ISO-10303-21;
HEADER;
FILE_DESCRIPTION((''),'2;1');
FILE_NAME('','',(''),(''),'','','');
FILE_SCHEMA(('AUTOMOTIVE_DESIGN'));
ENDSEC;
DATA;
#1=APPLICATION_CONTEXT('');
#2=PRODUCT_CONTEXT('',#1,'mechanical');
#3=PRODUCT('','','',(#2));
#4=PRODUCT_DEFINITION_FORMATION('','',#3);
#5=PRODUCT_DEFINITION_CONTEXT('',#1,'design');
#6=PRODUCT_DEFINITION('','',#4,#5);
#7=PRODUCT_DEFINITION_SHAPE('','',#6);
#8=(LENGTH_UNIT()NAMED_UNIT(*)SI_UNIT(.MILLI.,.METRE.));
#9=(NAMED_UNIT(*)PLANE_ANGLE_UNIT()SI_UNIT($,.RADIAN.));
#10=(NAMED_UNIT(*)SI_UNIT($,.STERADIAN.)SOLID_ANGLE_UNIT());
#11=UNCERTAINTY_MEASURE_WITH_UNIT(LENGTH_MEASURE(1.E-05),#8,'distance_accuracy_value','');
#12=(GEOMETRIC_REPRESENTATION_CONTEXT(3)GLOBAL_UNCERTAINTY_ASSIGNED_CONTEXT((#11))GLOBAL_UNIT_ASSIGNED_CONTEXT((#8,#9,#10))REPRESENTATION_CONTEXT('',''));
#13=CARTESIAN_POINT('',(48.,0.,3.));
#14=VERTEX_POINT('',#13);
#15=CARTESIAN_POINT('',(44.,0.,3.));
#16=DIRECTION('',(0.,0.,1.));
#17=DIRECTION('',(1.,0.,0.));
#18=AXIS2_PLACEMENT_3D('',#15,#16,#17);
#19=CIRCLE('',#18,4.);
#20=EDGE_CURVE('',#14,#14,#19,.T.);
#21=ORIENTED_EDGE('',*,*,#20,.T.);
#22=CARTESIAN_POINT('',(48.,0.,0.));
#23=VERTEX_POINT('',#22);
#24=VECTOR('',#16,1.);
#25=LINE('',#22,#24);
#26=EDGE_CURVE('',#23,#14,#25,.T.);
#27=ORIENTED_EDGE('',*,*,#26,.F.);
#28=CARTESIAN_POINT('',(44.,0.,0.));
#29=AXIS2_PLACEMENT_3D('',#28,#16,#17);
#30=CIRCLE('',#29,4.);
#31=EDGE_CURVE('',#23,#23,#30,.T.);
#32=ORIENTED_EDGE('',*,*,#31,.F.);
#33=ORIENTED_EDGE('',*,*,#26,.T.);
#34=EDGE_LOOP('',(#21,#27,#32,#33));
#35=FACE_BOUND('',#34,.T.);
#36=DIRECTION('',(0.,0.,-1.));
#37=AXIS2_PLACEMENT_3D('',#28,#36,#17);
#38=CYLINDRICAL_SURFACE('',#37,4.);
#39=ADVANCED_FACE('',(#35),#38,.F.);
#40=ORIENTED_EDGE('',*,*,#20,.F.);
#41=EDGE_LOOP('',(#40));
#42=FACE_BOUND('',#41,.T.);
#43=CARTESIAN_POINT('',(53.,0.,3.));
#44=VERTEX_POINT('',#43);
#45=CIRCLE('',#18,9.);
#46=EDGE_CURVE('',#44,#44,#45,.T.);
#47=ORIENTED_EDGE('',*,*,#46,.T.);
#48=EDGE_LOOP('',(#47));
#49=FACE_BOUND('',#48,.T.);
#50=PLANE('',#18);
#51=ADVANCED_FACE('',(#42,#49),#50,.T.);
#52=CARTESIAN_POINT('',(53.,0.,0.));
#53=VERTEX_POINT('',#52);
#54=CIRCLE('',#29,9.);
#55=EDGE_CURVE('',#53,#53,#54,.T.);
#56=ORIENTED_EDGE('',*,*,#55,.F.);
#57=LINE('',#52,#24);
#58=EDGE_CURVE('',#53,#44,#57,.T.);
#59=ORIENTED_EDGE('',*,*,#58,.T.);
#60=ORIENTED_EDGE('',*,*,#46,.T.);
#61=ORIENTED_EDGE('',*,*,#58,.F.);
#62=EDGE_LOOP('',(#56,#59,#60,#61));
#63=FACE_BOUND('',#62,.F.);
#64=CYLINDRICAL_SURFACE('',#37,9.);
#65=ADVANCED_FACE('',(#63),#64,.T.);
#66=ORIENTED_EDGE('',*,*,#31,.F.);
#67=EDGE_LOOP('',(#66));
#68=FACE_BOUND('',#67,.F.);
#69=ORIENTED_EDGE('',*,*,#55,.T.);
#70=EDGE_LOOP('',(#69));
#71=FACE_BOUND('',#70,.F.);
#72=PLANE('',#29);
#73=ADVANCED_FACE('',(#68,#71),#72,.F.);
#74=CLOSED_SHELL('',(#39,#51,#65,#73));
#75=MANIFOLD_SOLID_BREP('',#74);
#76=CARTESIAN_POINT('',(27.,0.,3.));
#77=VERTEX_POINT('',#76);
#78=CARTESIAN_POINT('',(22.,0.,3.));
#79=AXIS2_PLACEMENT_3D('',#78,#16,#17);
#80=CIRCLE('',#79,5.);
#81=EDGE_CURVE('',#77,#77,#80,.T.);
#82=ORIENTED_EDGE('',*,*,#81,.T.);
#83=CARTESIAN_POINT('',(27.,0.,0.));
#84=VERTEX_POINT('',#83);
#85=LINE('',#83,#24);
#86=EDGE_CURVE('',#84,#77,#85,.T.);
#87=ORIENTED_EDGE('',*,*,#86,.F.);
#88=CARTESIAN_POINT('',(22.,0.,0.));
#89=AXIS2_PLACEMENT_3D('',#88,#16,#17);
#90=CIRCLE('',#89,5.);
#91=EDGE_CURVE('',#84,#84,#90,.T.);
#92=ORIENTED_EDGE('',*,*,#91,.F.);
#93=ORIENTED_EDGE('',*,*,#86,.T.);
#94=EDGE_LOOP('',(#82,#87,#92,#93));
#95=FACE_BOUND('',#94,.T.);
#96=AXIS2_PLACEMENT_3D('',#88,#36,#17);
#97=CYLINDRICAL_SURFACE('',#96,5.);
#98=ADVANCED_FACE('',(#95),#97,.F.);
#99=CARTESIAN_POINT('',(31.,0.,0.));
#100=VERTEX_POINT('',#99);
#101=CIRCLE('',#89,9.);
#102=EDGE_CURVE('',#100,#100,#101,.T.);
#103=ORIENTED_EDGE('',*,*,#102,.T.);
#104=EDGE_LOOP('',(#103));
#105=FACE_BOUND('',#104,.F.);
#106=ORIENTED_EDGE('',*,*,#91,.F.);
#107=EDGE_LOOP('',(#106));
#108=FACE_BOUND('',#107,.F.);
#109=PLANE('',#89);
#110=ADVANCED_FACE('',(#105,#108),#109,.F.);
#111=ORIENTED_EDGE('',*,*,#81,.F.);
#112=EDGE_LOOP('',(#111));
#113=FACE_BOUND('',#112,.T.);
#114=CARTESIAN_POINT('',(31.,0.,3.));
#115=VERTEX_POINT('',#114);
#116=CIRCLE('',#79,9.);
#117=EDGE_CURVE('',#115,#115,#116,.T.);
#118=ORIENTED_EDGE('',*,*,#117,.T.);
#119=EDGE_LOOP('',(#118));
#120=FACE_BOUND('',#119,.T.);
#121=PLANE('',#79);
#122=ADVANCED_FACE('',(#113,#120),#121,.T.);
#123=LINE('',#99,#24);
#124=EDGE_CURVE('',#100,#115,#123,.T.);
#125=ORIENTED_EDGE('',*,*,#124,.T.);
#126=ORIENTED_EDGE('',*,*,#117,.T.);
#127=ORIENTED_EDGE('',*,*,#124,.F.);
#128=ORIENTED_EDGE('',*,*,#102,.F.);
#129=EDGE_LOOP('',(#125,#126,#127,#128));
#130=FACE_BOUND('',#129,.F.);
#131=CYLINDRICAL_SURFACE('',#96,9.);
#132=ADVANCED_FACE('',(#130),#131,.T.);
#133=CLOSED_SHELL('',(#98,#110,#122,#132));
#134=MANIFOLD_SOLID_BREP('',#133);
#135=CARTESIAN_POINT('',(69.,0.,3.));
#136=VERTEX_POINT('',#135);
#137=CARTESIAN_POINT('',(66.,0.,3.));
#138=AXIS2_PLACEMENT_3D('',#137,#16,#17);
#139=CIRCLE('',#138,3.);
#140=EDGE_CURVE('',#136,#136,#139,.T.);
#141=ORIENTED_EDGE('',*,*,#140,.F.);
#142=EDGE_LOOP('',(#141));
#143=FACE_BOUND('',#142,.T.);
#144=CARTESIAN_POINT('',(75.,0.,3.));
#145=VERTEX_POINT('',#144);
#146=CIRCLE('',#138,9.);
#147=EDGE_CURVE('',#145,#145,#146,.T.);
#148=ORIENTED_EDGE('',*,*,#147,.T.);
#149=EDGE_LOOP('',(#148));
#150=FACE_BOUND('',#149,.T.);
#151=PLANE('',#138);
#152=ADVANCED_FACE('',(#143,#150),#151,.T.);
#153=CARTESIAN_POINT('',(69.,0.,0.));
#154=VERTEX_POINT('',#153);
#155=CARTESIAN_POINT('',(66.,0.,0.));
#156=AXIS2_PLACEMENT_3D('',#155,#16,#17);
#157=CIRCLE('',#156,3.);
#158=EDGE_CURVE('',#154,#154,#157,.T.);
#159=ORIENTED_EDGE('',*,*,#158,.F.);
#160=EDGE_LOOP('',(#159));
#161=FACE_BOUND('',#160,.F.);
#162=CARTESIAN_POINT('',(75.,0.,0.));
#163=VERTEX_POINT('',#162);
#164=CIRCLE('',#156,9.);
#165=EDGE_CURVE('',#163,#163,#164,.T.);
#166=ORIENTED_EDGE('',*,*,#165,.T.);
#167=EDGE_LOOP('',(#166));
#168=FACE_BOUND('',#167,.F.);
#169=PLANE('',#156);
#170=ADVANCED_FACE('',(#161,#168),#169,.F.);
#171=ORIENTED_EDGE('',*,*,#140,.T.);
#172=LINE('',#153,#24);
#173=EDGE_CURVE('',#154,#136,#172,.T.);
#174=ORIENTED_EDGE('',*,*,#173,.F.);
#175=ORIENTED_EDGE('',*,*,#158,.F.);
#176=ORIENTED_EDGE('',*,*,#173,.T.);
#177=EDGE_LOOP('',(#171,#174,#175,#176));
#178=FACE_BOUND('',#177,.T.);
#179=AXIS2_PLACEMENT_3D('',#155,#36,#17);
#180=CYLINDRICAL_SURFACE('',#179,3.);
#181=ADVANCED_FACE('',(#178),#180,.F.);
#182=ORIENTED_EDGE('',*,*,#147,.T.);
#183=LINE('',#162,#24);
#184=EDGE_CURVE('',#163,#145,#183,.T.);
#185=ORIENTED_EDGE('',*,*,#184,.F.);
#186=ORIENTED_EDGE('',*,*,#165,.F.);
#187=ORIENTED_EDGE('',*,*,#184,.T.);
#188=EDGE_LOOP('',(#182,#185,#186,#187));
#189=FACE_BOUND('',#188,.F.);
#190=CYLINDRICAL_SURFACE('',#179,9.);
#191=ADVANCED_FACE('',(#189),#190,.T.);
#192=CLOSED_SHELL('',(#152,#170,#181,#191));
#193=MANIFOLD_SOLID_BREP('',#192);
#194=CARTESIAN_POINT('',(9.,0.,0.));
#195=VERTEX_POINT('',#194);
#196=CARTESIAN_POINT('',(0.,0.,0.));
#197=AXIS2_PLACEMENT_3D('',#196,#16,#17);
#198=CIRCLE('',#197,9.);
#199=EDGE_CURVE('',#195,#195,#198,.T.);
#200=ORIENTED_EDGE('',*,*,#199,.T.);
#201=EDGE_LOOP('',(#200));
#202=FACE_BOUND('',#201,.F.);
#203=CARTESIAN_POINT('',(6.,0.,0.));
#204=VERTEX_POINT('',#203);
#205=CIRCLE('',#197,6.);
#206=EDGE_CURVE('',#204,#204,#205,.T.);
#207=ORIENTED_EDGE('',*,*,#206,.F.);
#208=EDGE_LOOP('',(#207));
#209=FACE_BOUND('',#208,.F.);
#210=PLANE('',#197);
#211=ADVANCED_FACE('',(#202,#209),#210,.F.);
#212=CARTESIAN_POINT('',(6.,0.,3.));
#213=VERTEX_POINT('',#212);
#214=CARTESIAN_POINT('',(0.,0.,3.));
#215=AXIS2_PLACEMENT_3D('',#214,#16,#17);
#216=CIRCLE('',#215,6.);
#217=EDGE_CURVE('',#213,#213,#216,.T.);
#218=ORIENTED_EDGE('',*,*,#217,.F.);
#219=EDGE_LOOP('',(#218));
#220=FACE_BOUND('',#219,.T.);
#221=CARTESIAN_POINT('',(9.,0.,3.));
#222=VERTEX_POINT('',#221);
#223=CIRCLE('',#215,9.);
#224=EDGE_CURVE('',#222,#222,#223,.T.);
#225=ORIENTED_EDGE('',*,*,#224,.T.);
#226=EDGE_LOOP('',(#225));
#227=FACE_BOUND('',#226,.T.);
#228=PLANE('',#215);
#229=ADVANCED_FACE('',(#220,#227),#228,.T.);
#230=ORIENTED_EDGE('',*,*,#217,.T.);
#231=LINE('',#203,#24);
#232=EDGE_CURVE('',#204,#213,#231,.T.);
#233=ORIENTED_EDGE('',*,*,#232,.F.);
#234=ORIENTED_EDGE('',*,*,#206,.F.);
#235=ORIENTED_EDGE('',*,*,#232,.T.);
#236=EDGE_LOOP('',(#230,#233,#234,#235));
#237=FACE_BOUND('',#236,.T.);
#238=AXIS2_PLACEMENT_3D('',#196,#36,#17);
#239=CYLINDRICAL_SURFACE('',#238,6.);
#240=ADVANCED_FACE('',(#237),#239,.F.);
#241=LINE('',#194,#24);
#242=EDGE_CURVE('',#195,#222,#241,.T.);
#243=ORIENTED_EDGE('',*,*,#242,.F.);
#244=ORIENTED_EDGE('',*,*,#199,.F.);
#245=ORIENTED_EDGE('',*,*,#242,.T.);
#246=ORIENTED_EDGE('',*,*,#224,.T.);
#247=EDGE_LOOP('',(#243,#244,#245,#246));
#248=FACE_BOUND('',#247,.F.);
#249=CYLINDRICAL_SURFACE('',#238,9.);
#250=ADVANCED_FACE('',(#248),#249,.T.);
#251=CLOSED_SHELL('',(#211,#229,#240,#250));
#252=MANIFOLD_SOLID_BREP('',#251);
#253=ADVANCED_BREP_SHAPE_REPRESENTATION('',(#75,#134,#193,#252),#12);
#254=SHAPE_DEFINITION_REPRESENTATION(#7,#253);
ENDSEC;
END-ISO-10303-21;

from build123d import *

# Parameters (mm, degrees)
F0_R     = 9
F0_R_2   = 6
F0_R_3   = 5
F0_R_4   = 4
F0_R_5   = 3
F1_DEPTH = 3


with BuildPart() as f1:
    # F0 (on Top) → F1 (new body)
    with BuildSketch(Plane.XY):
        Circle(F0_R)
        Circle(F0_R_2, mode=Mode.SUBTRACT)
        with Locations((22, 0)):
            Circle(F0_R)
        with Locations((22, 0)):
            Circle(F0_R_3, mode=Mode.SUBTRACT)
        with Locations((44, 0)):
            Circle(F0_R)
        with Locations((44, 0)):
            Circle(F0_R_4, mode=Mode.SUBTRACT)
        with Locations((66, 0)):
            Circle(F0_R)
        with Locations((66, 0)):
            Circle(F0_R_5, mode=Mode.SUBTRACT)
    extrude(amount=F1_DEPTH)


solid = f1.part
